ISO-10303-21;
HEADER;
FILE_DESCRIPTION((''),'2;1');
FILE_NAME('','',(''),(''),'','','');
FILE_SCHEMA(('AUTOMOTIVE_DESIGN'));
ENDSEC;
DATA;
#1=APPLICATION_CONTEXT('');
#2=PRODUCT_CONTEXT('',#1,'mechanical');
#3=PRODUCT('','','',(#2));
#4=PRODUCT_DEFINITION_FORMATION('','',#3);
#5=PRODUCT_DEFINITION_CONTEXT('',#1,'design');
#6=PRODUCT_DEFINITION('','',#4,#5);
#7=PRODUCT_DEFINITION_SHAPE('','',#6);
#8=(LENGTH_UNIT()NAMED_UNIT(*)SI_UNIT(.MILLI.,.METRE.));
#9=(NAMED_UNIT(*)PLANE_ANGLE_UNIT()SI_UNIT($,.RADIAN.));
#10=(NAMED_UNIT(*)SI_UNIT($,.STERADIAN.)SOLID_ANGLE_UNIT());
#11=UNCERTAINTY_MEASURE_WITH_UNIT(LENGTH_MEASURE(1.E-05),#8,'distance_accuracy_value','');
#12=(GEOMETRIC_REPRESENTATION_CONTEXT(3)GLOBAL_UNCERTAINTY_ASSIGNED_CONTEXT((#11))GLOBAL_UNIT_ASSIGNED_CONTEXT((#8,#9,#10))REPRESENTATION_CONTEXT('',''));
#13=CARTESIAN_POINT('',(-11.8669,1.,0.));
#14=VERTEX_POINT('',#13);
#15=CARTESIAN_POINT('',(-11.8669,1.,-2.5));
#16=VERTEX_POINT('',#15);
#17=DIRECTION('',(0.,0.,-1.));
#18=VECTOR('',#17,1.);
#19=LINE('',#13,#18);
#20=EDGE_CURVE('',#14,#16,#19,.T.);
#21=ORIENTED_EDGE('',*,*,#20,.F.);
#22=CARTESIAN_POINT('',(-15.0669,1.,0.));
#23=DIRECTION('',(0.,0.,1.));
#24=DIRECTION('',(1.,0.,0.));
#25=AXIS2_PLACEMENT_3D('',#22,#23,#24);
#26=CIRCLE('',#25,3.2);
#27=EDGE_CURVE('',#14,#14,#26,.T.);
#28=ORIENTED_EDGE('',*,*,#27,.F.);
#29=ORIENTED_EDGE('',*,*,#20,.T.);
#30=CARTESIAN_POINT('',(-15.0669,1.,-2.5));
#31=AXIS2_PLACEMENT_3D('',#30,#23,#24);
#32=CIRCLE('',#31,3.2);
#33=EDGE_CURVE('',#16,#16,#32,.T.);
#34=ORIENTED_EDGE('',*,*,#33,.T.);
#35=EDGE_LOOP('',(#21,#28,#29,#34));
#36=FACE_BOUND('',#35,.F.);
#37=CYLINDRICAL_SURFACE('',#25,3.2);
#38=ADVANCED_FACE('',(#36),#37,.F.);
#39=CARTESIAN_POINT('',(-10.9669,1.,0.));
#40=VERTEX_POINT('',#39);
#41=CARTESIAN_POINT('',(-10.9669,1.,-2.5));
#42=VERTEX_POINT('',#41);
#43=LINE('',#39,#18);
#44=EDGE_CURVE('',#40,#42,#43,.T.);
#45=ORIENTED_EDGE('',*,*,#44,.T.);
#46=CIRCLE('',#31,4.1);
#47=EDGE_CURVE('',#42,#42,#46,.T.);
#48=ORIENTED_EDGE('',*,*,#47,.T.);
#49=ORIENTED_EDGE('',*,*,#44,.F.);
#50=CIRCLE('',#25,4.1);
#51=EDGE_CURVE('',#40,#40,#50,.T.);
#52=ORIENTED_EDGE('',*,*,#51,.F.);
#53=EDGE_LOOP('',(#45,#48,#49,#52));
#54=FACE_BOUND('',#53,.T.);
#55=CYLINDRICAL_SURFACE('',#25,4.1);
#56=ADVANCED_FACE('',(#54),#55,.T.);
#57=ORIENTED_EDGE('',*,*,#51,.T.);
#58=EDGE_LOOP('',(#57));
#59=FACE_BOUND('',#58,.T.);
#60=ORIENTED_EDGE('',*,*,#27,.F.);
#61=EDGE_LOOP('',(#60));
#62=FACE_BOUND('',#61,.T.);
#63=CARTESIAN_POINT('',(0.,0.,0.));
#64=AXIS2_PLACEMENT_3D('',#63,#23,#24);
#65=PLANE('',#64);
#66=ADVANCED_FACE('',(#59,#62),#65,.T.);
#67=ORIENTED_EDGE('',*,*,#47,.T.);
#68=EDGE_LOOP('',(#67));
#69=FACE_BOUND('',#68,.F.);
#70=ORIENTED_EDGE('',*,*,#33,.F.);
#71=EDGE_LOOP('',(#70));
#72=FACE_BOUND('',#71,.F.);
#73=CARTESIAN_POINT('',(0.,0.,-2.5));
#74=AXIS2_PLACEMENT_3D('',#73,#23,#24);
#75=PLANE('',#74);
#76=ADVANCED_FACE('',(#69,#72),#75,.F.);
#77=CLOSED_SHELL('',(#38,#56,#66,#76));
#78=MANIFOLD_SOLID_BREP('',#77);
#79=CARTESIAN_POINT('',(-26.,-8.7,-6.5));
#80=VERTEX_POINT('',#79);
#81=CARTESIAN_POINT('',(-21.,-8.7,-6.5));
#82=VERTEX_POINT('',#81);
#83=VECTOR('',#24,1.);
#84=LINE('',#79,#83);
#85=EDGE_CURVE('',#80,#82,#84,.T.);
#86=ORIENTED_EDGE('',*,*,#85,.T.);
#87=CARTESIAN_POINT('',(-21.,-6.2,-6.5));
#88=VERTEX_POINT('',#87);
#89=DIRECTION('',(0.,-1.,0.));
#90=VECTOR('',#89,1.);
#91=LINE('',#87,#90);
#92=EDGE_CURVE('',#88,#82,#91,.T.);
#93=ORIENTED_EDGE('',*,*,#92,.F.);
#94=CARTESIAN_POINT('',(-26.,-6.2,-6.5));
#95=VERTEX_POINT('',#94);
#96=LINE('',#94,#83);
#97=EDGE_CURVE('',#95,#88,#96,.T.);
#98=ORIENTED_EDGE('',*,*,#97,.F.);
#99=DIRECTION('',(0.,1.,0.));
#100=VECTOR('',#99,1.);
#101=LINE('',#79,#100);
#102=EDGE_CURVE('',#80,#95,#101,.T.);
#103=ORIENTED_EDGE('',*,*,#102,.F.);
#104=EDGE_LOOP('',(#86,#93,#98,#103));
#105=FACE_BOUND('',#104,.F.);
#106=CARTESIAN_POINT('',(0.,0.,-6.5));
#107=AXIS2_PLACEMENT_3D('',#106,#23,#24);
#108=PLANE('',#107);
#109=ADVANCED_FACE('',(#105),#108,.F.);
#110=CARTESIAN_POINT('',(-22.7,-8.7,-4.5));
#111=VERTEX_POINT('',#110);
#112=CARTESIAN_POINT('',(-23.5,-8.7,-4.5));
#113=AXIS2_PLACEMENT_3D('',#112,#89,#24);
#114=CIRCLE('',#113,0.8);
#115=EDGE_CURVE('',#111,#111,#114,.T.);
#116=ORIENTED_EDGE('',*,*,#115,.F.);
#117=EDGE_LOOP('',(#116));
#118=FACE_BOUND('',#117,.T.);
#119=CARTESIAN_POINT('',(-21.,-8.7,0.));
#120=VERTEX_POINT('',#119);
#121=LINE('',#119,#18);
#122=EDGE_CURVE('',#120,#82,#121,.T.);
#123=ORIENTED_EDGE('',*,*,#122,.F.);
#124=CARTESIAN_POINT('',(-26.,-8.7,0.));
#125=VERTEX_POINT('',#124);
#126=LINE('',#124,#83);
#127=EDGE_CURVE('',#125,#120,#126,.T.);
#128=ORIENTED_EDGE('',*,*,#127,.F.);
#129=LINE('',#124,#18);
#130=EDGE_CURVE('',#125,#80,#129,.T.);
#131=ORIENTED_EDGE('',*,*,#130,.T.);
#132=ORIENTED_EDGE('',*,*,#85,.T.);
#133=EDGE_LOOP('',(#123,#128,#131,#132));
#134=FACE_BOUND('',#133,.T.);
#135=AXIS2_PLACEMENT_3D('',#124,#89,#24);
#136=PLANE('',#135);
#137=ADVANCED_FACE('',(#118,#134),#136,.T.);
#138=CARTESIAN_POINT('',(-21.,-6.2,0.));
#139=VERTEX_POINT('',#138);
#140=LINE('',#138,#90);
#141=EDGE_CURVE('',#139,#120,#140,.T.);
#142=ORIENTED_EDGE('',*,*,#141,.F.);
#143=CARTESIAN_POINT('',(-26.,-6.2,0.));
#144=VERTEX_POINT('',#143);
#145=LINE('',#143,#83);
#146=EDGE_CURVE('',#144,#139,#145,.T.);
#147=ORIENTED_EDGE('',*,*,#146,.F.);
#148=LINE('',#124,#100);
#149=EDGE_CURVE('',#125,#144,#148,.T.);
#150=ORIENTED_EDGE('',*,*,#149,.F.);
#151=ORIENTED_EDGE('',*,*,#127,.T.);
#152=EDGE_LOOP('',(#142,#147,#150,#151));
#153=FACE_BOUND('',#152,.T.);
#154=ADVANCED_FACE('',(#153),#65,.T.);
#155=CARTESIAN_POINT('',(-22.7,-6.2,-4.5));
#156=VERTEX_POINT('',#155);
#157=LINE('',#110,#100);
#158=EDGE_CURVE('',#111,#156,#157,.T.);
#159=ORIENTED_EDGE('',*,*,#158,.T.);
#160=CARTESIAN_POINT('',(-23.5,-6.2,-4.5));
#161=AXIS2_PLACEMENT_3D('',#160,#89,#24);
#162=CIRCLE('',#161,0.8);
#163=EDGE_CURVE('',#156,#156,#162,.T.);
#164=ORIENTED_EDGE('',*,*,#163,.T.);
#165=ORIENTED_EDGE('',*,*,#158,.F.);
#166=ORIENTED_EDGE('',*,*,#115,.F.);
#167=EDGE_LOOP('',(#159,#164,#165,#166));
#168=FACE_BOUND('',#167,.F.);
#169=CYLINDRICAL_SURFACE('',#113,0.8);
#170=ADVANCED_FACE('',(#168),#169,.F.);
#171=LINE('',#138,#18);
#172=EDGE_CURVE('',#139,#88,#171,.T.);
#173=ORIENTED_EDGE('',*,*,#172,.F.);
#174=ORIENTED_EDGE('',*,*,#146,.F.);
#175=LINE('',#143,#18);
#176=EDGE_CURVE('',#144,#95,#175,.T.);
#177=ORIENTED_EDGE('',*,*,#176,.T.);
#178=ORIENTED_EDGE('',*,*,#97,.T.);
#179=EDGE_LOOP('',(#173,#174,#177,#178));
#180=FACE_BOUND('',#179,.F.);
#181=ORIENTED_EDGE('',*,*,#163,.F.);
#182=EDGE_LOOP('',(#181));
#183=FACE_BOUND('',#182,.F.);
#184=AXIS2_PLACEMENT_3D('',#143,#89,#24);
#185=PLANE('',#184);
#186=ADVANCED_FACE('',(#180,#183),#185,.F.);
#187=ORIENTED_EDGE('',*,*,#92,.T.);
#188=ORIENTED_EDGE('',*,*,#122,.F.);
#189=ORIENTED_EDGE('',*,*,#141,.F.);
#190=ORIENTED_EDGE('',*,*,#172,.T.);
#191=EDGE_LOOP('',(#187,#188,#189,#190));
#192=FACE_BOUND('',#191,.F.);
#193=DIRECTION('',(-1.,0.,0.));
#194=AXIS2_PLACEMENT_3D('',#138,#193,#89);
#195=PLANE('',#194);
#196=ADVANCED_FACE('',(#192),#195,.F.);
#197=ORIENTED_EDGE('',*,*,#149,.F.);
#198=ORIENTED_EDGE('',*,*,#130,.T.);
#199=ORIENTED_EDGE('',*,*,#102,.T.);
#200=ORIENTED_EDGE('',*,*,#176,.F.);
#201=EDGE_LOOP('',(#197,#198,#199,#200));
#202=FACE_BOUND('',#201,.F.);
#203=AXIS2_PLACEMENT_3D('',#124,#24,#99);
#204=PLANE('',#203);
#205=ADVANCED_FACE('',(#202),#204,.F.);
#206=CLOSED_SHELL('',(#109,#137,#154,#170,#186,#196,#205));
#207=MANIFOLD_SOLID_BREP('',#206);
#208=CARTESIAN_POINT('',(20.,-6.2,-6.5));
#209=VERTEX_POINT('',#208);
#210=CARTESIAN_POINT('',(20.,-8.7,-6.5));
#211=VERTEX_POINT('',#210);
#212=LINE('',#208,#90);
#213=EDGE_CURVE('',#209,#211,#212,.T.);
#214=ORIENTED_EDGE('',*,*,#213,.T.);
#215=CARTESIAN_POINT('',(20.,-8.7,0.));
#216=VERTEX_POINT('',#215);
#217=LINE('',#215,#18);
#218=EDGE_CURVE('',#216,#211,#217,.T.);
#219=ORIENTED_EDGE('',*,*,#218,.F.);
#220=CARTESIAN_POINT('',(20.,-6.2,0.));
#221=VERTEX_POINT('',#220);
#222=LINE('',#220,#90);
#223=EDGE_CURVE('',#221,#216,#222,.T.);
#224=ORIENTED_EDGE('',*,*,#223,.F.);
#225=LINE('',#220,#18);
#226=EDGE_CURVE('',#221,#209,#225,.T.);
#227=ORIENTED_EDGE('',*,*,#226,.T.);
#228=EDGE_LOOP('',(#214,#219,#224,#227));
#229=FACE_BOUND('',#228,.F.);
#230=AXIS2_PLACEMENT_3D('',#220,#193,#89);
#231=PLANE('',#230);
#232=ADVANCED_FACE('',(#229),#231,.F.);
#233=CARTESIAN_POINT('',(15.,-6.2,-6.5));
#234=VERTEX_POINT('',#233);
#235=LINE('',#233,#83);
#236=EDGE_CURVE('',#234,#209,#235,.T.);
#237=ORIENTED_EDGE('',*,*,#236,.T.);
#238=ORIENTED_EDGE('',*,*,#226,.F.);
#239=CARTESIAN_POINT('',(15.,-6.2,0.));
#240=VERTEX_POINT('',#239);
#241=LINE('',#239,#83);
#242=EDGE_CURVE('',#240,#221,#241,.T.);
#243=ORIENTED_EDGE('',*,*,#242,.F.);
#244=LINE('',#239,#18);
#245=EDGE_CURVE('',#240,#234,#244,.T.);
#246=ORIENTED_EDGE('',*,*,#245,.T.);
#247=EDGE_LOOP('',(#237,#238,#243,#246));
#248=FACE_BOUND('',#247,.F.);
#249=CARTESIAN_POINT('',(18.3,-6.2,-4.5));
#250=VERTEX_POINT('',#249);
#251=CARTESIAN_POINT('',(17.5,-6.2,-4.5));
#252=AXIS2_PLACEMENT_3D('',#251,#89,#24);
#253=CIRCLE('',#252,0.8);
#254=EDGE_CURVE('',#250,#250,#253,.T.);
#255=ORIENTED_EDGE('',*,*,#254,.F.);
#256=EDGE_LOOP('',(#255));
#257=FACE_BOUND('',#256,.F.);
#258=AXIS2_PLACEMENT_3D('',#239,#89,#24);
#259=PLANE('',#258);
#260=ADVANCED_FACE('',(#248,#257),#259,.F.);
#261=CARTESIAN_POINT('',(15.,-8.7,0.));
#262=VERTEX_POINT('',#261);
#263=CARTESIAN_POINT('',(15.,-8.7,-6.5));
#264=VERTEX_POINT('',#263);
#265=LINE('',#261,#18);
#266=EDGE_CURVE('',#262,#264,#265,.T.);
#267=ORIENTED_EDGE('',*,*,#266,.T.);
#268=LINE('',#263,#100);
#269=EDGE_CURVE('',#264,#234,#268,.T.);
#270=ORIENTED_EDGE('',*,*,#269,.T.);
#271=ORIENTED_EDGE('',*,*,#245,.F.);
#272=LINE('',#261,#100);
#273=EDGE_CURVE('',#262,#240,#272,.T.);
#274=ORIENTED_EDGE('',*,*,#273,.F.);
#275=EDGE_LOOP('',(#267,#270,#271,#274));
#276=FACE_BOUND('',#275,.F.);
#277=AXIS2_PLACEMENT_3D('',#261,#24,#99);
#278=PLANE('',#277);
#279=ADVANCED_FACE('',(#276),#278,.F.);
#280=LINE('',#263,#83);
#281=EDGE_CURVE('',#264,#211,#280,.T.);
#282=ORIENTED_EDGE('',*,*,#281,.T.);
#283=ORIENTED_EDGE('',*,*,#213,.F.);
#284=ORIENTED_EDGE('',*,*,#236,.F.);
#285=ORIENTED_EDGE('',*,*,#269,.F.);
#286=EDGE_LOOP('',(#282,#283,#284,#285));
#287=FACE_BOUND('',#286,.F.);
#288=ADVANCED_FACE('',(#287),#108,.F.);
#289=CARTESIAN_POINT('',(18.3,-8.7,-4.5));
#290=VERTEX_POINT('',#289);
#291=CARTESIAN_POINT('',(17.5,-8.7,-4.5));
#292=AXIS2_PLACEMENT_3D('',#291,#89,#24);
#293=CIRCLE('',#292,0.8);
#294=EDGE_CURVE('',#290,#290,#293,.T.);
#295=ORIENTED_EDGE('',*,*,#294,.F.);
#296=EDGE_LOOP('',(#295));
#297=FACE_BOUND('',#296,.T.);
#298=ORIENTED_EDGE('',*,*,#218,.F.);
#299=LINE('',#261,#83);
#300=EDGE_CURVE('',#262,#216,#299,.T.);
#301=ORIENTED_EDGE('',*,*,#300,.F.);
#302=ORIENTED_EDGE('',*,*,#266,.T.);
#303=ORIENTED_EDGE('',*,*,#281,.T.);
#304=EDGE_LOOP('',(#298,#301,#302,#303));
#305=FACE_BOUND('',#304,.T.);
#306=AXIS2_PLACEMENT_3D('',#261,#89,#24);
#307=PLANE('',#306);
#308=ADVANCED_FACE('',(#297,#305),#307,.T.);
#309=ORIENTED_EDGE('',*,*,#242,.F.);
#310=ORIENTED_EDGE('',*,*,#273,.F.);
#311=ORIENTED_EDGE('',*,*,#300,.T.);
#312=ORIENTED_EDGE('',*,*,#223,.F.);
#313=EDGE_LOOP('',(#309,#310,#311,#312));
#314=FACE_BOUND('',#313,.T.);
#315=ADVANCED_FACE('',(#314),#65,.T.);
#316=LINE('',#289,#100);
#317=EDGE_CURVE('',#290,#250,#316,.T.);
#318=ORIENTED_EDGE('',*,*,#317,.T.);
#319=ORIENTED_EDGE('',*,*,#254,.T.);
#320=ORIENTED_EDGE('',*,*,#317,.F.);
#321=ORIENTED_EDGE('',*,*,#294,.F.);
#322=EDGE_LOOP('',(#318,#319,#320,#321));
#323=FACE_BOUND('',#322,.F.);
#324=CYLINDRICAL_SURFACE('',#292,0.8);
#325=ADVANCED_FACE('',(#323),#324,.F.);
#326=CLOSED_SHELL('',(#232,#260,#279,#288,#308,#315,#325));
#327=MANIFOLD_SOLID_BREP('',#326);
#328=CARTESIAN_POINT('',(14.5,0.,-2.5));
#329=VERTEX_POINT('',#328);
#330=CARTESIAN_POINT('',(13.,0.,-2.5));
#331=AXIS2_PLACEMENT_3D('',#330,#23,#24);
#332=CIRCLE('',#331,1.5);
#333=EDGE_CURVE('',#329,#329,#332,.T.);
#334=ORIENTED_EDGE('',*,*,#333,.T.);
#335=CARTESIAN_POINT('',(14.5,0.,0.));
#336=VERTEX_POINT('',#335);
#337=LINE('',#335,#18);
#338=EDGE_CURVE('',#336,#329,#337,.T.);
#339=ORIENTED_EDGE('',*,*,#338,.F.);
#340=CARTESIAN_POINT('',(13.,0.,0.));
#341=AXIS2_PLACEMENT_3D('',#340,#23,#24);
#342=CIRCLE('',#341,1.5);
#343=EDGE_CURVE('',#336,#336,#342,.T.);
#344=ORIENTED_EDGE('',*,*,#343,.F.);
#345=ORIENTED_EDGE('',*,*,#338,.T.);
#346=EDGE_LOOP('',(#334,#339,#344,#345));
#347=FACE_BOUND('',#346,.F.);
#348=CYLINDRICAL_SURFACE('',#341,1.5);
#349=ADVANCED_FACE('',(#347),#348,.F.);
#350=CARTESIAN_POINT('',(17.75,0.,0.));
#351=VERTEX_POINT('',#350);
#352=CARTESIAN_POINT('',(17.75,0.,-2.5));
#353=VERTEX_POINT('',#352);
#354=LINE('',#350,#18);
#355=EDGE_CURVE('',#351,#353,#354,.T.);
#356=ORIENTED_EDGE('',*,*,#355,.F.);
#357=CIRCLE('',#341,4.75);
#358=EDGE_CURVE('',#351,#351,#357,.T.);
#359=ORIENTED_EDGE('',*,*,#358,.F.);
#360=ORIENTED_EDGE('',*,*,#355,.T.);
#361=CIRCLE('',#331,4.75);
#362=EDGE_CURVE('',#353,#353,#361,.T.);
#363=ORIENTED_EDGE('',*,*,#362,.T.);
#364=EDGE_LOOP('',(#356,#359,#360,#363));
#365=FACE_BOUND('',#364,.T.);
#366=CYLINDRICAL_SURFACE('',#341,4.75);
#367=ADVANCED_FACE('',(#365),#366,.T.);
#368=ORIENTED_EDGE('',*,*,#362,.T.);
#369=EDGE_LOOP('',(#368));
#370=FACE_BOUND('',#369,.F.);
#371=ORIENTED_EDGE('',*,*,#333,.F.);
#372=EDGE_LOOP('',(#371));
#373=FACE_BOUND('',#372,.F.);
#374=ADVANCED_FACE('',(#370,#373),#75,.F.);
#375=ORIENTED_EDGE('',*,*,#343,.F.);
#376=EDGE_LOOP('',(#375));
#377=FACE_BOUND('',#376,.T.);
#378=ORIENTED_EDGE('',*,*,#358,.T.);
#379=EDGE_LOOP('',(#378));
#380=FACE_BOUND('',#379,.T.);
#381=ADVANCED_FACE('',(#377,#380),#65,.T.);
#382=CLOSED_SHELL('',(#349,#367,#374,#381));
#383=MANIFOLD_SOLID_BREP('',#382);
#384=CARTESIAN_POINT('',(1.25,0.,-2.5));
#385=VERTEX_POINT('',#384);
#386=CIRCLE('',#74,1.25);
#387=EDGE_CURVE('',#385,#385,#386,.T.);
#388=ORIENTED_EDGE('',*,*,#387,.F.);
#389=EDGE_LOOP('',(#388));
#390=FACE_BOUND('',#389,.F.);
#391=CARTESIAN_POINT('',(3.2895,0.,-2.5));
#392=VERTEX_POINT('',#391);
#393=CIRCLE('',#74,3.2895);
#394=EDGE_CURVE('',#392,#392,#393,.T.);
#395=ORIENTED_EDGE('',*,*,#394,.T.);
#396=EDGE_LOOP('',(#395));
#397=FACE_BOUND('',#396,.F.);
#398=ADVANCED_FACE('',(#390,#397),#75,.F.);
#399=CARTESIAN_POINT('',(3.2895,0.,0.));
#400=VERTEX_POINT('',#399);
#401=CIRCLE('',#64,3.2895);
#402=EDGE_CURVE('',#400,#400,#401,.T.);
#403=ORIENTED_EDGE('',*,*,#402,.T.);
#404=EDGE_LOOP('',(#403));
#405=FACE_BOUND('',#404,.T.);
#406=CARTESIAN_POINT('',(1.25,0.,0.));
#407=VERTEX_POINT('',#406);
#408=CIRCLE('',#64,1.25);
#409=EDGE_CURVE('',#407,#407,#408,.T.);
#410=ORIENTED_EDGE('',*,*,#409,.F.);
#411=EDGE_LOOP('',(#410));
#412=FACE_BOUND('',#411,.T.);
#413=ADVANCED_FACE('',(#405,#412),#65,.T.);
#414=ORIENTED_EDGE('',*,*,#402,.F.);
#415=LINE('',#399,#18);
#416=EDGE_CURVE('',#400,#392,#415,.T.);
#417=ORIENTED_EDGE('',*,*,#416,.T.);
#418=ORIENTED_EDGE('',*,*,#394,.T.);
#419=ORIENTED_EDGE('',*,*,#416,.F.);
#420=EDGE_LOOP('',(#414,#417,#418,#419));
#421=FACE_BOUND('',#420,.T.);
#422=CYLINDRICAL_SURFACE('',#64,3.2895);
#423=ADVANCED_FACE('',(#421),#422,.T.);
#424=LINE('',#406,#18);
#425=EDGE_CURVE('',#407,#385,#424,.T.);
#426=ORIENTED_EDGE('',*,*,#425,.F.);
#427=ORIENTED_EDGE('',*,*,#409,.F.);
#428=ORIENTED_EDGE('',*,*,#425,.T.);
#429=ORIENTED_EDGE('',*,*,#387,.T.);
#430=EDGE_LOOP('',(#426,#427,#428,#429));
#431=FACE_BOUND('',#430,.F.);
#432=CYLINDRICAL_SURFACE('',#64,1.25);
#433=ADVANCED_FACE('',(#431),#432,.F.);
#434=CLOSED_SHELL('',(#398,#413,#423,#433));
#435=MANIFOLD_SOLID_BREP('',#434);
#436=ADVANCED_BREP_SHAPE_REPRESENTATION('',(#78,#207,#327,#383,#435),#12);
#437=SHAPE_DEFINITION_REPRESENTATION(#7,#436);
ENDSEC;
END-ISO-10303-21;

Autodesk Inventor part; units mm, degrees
ref_plane "YZ Plane" through (0, 0, 0) normal (1, 0, 0) x (0, 1, 0)
ref_plane "XZ Plane" through (0, 0, 0) normal (0, 1, 0) x (-1, 0, 0)
ref_plane "XY Plane" through (0, 0, 0) normal (0, 0, 1) x (1, 0, 0)
sketch "スケッチ1" plane through (0, 0, 0) normal (0, 0, 1) x (1, 0, 0)
  circle A0 centre (0, 0) radius 10.65 construction
  line L0 (0, 0) -> (0, 1) construction
  line L1 (0, 0) -> (1, 0) construction
  circle A1 centre (13, 0) radius 2.25 construction
  circle A2 centre (-15.0669, 1) radius 4.35 construction
  circle A3 centre (0, 0) radius 11.5 construction
  line L2 (-25, -11.5) -> (25, -11.5) construction
  line L3 (-25, -9.7) -> (25, -9.7) construction
  line L4 (-25, -8.7) -> (25, -8.7) construction
  dimension "d0" = 1
  dimension "d2" = 1
  dimension "d3" = 21.3
  dimension "d5" = 4.5
  dimension "d6" = 0.1
  dimension "d7" = 8.7
  dimension "d8" = 0.1
  dimension "d9" = 23
  dimension "d10" = 50
  dimension "d11" = 1.8
  dimension "d12" = 1
  dimension "d48" = 12.5
  dimension "d49" = 11.5
sketch "スケッチ2" plane through (0, 0, 0) normal (0, 0, 1) x (1, 0, 0)
  circle A0 centre (-15.0669, 1) radius 4.35 construction
  line L0 (0, 0) -> (0, 1) construction
  circle A1 centre (0, 0) radius 10.65 construction
  circle A2 centre (0, 0) radius 11.5 construction
  line L1 (-25, -8.7) -> (25, -8.7) construction
  line L2 (-25, -9.7) -> (25, -9.7) construction
  line L3 (-25, -11.5) -> (25, -11.5) construction
  line L4 (0, 0) -> (1, 0) construction
  circle A3 centre (13, 0) radius 2.25 construction
  circle A4 centre (13, 0) radius 4.25 construction
  circle A5 centre (-15.0669, 1) radius 3.6 construction
  circle A6 centre (-15.0669, 1) radius 3 construction
  circle A7 centre (0, 0) radius 1.25 construction
  circle A8 centre (0, 0) radius 1.5 construction
  dimension "d13" = 8.5
  dimension "d14" = 7.2
  dimension "d15" = 6
  dimension "d27" = 2.5
  dimension "d28" = 3
sketch "スケッチ3" plane through (0, 0, 0) normal (0, 0, 1) x (1, 0, 0)
  circle A0 centre (-15.0669, 1) radius 4.35 construction
  line L0 (0, 0) -> (0, 1) construction
  line L1 (0, 0) -> (1, 0) construction
  line L2 (-25, -11.5) -> (25, -11.5) construction
  line L3 (-25, -9.7) -> (25, -9.7) construction
  line L4 (-25, -8.7) -> (25, -8.7) construction
  circle A1 centre (13, 0) radius 2.25 construction
  circle A2 centre (0, 0) radius 10.65 construction
  circle A3 centre (0, 0) radius 11.5 construction
  circle A4 centre (-15.0669, 1) radius 4.35 construction
  line L5 (0, 0) -> (0, 1) construction
  circle A5 centre (0, 0) radius 10.65 construction
  circle A6 centre (0, 0) radius 11.5 construction
  line L6 (-25, -8.7) -> (25, -8.7) construction
  line L7 (-25, -9.7) -> (25, -9.7) construction
  line L8 (-25, -11.5) -> (25, -11.5) construction
  line L9 (0, 0) -> (1, 0) construction
  circle A7 centre (13, 0) radius 2.25 construction
  circle A8 centre (13, 0) radius 4.25 construction
  circle A9 centre (-15.0669, 1) radius 3.6 construction
  circle A10 centre (-15.0669, 1) radius 3 construction
  line L10 (-26, -6.2) -> (-21, -6.2)
  line L11 (-21, -6.2) -> (-21, -8.7)
  line L12 (-26, -8.7) -> (-26, -6.2)
  line L13 (15, -6.2) -> (20, -6.2)
  line L14 (20, -6.2) -> (20, -8.7)
  line L15 (15, -8.7) -> (15, -6.2)
  line L16 (-26, -6.2) -> (-21, -8.7) construction
  line L17 (-26, -8.7) -> (-21, -6.2) construction
  line L18 (15, -6.2) -> (20, -8.7) construction
  line L19 (15, -8.7) -> (20, -6.2) construction
  line L20 (-26, -8.7) -> (-21, -8.7)
  line L21 (15, -8.7) -> (20, -8.7)
  circle A11 centre (-15.0669, 1) radius 3.2
  circle A12 centre (-15.0669, 1) radius 4.1
  circle A13 centre (13, 0) radius 4.75
  circle A14 centre (0, 0) radius 3.2895
  circle A15 centre (0, 0) radius 1.25 projected
  circle A16 centre (13, 0) radius 1.5
  point P0 (-23.5, -7.45)
  point P1 (17.5, -7.45)
  point P2 (16.5028, -6)
  point P3 (15, -6.1912)
  dimension "d17" = 5
  dimension "d18" = 5
  dimension "d19" = 2.5
  dimension "d20" = 2.5
  dimension "d22" = 26
  dimension "d23" = 20
  dimension "d24" = 0.2
  dimension "d25" = 0.5
  dimension "d26" = 0.5
  dimension "d31" = 3
  dimension "d39" = 41
extrude "押し出し1" add sketch "スケッチ3" against normal blind 6.5 contours L10 L11 L20 L12 | L13 L14 L21 L15
extrude "押し出し2" add sketch "スケッチ3" against normal blind 2.5 contours A12 | A13 | A14
ref_plane "作業平面1" through (20, -8.7, 0) normal (0, -1, 0) x (1, 0, 0)
sketch "スケッチ5" plane through (20, -8.7, 0) normal (0, -1, 0) x (1, 0, 0)
  line L0 (-46, 0) -> (-41, 0) projected
  line L1 (-46, 0) -> (-46, -6.5) projected
  line L2 (-41, -6.5) -> (-46, -6.5) projected
  line L3 (-41, 0) -> (-41, -6.5) projected
  line L4 (-5, 0) -> (0, 0) projected
  line L5 (-5, 0) -> (-5, -6.5) projected
  line L6 (0, -6.5) -> (-5, -6.5) projected
  line L7 (0, 0) -> (0, -6.5) projected
  line L8 (-46, 0) -> (-46, -6.5) projected
  line L9 (-41, -6.5) -> (-46, -6.5) projected
  line L10 (0, -6.5) -> (-5, -6.5) projected
  line L11 (-5, 0) -> (-5, -6.5) projected
  line L12 (0, 0) -> (0, -6.5) projected
  circle A0 centre (-43.5, -4.5) radius 0.8
  circle A1 centre (-2.5, -4.5) radius 0.8
  line L13 (-5, -2.5) -> (0, -2.5) construction
  line L14 (0, 0) -> (0, -6.5) projected
  line L15 (-46, -2.5) -> (-41, -2.5) construction
  line L16 (-41, 0) -> (-41, -6.5) projected
  line L17 (-46, -2.5) -> (-41, -6.5) construction
  line L18 (-46, -6.5) -> (-41, -6.5) projected
  line L19 (-46, -6.5) -> (-41, -2.5) construction
  line L20 (-5, -6.5) -> (0, -6.5) projected
  line L21 (-5, -2.5) -> (0, -6.5) construction
  line L22 (-5, -6.5) -> (0, -2.5) construction
  point P0 (-20, 0)
  dimension "d42" = 1.6
  dimension "d43" = 1.6
  dimension "d46" = 2.5
  dimension "d47" = 2.5
extrude "押し出し4" cut sketch "スケッチ5" against normal up to surface (2.5 mm away) contours A0 | A1
equation "\"d2\" = d0"
equation "\"d43\" = d42"
equation "\"d47\" = d46"
properties part number "motormount"
